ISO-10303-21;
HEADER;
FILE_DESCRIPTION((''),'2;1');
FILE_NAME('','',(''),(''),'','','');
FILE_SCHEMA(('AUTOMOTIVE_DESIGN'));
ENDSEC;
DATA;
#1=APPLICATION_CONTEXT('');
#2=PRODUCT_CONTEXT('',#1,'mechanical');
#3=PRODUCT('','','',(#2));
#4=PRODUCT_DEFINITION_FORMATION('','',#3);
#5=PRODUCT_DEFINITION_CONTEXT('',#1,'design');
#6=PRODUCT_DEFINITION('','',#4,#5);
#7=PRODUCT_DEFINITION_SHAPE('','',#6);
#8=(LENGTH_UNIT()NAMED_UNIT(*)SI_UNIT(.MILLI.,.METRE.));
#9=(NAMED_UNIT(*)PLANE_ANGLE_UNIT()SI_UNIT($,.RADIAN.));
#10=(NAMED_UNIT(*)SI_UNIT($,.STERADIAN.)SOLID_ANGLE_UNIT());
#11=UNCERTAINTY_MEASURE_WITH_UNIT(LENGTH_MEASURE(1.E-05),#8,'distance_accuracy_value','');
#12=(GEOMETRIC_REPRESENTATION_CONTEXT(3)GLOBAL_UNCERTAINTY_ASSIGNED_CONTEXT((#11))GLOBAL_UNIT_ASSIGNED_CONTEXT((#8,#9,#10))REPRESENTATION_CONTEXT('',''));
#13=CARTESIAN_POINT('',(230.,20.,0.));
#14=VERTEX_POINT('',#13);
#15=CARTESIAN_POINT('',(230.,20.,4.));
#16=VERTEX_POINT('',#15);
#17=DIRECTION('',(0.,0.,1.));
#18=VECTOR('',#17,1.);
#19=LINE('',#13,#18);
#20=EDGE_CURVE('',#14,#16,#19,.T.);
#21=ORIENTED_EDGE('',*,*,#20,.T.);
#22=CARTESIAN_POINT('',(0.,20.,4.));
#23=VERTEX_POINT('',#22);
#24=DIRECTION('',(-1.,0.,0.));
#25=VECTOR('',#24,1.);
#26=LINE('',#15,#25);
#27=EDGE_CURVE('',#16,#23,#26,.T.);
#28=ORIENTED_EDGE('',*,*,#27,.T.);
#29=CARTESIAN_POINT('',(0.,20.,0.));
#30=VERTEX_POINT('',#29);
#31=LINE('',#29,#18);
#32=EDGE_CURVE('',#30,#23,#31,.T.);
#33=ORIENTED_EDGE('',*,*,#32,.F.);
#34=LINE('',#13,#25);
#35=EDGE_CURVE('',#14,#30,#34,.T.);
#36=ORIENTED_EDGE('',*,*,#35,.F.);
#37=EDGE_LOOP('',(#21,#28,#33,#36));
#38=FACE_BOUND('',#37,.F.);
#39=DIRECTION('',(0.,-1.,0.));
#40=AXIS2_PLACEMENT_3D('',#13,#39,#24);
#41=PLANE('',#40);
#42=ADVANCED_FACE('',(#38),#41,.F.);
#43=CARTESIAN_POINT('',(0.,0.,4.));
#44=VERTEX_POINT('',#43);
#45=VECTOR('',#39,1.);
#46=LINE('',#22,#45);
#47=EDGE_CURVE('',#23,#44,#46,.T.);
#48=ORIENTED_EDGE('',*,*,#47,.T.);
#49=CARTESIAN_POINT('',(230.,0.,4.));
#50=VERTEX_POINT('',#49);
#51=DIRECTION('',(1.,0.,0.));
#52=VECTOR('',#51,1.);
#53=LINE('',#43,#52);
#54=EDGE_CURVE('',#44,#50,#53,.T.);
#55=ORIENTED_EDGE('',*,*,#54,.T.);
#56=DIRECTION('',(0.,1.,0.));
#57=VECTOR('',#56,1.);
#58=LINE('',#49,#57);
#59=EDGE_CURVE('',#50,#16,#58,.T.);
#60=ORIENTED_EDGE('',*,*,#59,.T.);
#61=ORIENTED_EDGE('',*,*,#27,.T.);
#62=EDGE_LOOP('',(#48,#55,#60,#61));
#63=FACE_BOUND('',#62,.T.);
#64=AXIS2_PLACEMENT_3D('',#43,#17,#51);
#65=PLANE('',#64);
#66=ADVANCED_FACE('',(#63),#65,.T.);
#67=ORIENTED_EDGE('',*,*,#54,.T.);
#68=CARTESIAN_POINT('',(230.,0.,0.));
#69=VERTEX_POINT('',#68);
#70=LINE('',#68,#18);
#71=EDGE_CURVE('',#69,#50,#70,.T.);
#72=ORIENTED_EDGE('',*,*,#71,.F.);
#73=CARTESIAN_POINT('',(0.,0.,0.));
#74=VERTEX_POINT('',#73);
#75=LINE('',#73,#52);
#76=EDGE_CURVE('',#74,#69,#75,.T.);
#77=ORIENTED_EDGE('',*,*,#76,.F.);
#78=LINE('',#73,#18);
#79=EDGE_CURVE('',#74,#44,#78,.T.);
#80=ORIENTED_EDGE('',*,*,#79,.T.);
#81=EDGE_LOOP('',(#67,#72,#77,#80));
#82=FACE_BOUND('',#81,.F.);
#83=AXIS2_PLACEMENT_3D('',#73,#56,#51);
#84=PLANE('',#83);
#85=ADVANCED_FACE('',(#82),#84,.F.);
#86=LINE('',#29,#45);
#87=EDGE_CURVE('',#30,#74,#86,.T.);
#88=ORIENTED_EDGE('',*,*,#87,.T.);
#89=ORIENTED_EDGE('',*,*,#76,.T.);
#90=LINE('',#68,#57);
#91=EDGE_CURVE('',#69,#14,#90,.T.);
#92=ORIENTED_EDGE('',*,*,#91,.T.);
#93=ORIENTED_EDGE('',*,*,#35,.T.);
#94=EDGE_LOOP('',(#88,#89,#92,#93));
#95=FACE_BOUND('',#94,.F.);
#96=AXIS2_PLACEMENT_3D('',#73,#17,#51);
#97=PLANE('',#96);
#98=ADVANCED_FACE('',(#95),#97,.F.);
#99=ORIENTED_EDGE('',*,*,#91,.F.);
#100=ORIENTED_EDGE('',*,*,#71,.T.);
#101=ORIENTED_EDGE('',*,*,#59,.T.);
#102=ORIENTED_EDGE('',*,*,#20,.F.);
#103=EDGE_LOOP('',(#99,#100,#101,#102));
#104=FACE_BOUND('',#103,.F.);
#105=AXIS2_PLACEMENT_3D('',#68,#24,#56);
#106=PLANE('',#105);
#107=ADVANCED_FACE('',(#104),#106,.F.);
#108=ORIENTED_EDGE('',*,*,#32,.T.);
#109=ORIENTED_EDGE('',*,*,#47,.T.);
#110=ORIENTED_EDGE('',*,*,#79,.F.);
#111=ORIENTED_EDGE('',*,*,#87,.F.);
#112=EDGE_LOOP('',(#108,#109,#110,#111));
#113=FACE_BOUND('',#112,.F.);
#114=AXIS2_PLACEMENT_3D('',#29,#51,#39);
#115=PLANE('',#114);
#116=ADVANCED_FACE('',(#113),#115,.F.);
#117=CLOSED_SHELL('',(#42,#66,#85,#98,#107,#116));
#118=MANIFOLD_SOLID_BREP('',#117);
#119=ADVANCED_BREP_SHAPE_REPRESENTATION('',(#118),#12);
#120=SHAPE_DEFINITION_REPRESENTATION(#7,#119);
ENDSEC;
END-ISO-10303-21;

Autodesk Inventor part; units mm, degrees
ref_plane "YZ Plane" through (0, 0, 0) normal (1, 0, 0) x (0, 1, 0)
ref_plane "XZ Plane" through (0, 0, 0) normal (0, 1, 0) x (-1, 0, 0)
ref_plane "XY Plane" through (0, 0, 0) normal (0, 0, 1) x (1, 0, 0)
sketch "Boceto1" plane through (0, 0, 0) normal (0, 0, 1) x (1, 0, 0)
  line L0 (0, 0) -> (230, 0)
  line L1 (230, 0) -> (230, 20)
  line L2 (230, 20) -> (0, 20)
  line L3 (0, 20) -> (0, 0)
  dimension "d0" = 230
  dimension "d1" = 20
extrude "Extrusión1" add sketch "Boceto1" along normal blind 4
properties part number "base1" material "Madera (abedul)"
